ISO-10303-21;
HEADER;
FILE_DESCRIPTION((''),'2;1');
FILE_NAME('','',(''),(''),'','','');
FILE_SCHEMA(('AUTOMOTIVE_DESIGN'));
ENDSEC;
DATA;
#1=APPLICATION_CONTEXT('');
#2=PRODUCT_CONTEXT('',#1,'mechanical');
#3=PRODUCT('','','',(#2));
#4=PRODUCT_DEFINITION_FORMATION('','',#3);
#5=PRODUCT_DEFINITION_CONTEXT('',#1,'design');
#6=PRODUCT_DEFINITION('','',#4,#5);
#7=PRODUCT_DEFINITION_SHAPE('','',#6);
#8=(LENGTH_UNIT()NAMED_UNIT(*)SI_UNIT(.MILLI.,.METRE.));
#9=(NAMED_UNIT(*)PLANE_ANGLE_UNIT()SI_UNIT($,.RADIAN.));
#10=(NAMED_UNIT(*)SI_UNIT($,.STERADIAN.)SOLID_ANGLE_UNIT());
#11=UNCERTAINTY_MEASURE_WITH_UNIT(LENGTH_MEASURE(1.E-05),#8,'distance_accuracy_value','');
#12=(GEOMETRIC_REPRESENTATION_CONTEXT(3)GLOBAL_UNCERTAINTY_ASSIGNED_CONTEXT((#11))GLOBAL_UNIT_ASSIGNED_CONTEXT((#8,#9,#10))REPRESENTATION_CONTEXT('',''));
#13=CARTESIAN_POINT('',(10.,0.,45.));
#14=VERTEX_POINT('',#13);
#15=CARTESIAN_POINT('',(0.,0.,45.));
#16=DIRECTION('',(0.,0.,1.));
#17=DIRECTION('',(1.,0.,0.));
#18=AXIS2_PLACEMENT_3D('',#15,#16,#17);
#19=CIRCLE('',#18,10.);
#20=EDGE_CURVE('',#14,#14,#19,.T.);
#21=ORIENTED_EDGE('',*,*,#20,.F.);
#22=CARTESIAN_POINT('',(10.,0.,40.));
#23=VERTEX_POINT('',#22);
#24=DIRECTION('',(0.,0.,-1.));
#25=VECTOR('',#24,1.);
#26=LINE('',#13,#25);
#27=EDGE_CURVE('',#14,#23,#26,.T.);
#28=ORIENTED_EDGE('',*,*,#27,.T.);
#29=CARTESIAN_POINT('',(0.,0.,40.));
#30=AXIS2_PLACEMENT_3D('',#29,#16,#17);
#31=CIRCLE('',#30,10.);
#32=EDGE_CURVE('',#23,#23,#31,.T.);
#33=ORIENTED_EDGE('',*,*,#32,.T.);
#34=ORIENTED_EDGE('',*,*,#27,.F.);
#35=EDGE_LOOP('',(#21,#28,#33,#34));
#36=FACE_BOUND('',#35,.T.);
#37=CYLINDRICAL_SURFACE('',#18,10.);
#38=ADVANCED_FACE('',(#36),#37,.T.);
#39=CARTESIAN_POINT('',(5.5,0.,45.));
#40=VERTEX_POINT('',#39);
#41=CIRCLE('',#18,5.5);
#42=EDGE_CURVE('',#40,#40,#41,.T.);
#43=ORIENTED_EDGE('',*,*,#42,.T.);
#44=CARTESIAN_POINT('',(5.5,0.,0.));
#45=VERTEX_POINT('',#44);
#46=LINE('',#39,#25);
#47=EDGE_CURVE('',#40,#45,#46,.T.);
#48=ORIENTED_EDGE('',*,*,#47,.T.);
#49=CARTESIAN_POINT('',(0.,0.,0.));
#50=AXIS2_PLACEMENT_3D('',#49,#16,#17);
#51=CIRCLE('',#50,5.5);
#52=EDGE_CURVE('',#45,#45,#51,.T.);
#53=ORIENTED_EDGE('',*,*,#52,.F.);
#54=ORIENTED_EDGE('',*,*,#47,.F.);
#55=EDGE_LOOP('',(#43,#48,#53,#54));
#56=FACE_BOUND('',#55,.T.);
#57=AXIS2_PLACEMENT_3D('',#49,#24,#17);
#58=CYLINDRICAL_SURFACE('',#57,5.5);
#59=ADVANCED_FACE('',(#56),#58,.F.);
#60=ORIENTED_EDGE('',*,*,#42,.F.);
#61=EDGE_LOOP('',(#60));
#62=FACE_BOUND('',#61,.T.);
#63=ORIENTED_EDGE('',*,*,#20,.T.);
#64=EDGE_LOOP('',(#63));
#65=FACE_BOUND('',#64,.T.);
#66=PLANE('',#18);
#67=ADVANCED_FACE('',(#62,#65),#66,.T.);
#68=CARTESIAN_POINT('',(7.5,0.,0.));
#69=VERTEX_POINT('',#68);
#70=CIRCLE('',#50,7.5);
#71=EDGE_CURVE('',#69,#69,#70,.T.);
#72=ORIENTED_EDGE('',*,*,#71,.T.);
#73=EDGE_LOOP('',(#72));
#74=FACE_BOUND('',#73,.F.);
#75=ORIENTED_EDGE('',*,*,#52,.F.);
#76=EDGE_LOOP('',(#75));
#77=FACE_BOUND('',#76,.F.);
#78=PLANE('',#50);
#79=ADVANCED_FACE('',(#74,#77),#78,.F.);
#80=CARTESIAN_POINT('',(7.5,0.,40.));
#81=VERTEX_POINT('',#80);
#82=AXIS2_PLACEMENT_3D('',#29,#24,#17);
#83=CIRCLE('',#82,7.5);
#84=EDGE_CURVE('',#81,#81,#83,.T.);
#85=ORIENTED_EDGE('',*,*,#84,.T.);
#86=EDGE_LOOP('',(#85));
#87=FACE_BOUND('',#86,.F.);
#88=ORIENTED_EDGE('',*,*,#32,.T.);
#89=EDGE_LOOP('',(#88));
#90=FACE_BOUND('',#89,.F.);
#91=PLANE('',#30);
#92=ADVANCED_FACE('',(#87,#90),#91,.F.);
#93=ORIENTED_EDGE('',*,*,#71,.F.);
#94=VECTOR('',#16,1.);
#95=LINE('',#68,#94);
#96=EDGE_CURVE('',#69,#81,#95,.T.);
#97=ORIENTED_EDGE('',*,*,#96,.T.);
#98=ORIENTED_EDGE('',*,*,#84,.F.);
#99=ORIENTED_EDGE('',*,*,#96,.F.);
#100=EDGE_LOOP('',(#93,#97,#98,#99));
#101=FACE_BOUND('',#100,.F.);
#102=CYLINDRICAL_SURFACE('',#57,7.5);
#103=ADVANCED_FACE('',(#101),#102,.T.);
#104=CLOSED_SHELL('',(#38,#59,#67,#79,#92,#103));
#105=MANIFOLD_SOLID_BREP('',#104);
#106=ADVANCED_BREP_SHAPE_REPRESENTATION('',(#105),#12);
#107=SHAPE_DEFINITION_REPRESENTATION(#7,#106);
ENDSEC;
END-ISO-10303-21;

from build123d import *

# Parameters (mm, degrees)
SKETCH_R      = 7.5
SKETCH_R_2    = 5.5
PAD_DEPTH     = 45
SKETCH001_R   = 10
SKETCH001_R_2 = 5.5
PAD001_DEPTH  = 5


with BuildPart() as part:
    # Sketch → Pad (new body)
    with BuildSketch(Plane.XY):
        Circle(SKETCH_R)
        Circle(SKETCH_R_2, mode=Mode.SUBTRACT)
    extrude(amount=PAD_DEPTH)

    # Sketch001 → Pad001 (new body)
    with BuildSketch(Plane.XY.offset(45)):
        Circle(SKETCH001_R)
        Circle(SKETCH001_R_2, mode=Mode.SUBTRACT)
    extrude(amount=-PAD001_DEPTH)


solid = part.part
